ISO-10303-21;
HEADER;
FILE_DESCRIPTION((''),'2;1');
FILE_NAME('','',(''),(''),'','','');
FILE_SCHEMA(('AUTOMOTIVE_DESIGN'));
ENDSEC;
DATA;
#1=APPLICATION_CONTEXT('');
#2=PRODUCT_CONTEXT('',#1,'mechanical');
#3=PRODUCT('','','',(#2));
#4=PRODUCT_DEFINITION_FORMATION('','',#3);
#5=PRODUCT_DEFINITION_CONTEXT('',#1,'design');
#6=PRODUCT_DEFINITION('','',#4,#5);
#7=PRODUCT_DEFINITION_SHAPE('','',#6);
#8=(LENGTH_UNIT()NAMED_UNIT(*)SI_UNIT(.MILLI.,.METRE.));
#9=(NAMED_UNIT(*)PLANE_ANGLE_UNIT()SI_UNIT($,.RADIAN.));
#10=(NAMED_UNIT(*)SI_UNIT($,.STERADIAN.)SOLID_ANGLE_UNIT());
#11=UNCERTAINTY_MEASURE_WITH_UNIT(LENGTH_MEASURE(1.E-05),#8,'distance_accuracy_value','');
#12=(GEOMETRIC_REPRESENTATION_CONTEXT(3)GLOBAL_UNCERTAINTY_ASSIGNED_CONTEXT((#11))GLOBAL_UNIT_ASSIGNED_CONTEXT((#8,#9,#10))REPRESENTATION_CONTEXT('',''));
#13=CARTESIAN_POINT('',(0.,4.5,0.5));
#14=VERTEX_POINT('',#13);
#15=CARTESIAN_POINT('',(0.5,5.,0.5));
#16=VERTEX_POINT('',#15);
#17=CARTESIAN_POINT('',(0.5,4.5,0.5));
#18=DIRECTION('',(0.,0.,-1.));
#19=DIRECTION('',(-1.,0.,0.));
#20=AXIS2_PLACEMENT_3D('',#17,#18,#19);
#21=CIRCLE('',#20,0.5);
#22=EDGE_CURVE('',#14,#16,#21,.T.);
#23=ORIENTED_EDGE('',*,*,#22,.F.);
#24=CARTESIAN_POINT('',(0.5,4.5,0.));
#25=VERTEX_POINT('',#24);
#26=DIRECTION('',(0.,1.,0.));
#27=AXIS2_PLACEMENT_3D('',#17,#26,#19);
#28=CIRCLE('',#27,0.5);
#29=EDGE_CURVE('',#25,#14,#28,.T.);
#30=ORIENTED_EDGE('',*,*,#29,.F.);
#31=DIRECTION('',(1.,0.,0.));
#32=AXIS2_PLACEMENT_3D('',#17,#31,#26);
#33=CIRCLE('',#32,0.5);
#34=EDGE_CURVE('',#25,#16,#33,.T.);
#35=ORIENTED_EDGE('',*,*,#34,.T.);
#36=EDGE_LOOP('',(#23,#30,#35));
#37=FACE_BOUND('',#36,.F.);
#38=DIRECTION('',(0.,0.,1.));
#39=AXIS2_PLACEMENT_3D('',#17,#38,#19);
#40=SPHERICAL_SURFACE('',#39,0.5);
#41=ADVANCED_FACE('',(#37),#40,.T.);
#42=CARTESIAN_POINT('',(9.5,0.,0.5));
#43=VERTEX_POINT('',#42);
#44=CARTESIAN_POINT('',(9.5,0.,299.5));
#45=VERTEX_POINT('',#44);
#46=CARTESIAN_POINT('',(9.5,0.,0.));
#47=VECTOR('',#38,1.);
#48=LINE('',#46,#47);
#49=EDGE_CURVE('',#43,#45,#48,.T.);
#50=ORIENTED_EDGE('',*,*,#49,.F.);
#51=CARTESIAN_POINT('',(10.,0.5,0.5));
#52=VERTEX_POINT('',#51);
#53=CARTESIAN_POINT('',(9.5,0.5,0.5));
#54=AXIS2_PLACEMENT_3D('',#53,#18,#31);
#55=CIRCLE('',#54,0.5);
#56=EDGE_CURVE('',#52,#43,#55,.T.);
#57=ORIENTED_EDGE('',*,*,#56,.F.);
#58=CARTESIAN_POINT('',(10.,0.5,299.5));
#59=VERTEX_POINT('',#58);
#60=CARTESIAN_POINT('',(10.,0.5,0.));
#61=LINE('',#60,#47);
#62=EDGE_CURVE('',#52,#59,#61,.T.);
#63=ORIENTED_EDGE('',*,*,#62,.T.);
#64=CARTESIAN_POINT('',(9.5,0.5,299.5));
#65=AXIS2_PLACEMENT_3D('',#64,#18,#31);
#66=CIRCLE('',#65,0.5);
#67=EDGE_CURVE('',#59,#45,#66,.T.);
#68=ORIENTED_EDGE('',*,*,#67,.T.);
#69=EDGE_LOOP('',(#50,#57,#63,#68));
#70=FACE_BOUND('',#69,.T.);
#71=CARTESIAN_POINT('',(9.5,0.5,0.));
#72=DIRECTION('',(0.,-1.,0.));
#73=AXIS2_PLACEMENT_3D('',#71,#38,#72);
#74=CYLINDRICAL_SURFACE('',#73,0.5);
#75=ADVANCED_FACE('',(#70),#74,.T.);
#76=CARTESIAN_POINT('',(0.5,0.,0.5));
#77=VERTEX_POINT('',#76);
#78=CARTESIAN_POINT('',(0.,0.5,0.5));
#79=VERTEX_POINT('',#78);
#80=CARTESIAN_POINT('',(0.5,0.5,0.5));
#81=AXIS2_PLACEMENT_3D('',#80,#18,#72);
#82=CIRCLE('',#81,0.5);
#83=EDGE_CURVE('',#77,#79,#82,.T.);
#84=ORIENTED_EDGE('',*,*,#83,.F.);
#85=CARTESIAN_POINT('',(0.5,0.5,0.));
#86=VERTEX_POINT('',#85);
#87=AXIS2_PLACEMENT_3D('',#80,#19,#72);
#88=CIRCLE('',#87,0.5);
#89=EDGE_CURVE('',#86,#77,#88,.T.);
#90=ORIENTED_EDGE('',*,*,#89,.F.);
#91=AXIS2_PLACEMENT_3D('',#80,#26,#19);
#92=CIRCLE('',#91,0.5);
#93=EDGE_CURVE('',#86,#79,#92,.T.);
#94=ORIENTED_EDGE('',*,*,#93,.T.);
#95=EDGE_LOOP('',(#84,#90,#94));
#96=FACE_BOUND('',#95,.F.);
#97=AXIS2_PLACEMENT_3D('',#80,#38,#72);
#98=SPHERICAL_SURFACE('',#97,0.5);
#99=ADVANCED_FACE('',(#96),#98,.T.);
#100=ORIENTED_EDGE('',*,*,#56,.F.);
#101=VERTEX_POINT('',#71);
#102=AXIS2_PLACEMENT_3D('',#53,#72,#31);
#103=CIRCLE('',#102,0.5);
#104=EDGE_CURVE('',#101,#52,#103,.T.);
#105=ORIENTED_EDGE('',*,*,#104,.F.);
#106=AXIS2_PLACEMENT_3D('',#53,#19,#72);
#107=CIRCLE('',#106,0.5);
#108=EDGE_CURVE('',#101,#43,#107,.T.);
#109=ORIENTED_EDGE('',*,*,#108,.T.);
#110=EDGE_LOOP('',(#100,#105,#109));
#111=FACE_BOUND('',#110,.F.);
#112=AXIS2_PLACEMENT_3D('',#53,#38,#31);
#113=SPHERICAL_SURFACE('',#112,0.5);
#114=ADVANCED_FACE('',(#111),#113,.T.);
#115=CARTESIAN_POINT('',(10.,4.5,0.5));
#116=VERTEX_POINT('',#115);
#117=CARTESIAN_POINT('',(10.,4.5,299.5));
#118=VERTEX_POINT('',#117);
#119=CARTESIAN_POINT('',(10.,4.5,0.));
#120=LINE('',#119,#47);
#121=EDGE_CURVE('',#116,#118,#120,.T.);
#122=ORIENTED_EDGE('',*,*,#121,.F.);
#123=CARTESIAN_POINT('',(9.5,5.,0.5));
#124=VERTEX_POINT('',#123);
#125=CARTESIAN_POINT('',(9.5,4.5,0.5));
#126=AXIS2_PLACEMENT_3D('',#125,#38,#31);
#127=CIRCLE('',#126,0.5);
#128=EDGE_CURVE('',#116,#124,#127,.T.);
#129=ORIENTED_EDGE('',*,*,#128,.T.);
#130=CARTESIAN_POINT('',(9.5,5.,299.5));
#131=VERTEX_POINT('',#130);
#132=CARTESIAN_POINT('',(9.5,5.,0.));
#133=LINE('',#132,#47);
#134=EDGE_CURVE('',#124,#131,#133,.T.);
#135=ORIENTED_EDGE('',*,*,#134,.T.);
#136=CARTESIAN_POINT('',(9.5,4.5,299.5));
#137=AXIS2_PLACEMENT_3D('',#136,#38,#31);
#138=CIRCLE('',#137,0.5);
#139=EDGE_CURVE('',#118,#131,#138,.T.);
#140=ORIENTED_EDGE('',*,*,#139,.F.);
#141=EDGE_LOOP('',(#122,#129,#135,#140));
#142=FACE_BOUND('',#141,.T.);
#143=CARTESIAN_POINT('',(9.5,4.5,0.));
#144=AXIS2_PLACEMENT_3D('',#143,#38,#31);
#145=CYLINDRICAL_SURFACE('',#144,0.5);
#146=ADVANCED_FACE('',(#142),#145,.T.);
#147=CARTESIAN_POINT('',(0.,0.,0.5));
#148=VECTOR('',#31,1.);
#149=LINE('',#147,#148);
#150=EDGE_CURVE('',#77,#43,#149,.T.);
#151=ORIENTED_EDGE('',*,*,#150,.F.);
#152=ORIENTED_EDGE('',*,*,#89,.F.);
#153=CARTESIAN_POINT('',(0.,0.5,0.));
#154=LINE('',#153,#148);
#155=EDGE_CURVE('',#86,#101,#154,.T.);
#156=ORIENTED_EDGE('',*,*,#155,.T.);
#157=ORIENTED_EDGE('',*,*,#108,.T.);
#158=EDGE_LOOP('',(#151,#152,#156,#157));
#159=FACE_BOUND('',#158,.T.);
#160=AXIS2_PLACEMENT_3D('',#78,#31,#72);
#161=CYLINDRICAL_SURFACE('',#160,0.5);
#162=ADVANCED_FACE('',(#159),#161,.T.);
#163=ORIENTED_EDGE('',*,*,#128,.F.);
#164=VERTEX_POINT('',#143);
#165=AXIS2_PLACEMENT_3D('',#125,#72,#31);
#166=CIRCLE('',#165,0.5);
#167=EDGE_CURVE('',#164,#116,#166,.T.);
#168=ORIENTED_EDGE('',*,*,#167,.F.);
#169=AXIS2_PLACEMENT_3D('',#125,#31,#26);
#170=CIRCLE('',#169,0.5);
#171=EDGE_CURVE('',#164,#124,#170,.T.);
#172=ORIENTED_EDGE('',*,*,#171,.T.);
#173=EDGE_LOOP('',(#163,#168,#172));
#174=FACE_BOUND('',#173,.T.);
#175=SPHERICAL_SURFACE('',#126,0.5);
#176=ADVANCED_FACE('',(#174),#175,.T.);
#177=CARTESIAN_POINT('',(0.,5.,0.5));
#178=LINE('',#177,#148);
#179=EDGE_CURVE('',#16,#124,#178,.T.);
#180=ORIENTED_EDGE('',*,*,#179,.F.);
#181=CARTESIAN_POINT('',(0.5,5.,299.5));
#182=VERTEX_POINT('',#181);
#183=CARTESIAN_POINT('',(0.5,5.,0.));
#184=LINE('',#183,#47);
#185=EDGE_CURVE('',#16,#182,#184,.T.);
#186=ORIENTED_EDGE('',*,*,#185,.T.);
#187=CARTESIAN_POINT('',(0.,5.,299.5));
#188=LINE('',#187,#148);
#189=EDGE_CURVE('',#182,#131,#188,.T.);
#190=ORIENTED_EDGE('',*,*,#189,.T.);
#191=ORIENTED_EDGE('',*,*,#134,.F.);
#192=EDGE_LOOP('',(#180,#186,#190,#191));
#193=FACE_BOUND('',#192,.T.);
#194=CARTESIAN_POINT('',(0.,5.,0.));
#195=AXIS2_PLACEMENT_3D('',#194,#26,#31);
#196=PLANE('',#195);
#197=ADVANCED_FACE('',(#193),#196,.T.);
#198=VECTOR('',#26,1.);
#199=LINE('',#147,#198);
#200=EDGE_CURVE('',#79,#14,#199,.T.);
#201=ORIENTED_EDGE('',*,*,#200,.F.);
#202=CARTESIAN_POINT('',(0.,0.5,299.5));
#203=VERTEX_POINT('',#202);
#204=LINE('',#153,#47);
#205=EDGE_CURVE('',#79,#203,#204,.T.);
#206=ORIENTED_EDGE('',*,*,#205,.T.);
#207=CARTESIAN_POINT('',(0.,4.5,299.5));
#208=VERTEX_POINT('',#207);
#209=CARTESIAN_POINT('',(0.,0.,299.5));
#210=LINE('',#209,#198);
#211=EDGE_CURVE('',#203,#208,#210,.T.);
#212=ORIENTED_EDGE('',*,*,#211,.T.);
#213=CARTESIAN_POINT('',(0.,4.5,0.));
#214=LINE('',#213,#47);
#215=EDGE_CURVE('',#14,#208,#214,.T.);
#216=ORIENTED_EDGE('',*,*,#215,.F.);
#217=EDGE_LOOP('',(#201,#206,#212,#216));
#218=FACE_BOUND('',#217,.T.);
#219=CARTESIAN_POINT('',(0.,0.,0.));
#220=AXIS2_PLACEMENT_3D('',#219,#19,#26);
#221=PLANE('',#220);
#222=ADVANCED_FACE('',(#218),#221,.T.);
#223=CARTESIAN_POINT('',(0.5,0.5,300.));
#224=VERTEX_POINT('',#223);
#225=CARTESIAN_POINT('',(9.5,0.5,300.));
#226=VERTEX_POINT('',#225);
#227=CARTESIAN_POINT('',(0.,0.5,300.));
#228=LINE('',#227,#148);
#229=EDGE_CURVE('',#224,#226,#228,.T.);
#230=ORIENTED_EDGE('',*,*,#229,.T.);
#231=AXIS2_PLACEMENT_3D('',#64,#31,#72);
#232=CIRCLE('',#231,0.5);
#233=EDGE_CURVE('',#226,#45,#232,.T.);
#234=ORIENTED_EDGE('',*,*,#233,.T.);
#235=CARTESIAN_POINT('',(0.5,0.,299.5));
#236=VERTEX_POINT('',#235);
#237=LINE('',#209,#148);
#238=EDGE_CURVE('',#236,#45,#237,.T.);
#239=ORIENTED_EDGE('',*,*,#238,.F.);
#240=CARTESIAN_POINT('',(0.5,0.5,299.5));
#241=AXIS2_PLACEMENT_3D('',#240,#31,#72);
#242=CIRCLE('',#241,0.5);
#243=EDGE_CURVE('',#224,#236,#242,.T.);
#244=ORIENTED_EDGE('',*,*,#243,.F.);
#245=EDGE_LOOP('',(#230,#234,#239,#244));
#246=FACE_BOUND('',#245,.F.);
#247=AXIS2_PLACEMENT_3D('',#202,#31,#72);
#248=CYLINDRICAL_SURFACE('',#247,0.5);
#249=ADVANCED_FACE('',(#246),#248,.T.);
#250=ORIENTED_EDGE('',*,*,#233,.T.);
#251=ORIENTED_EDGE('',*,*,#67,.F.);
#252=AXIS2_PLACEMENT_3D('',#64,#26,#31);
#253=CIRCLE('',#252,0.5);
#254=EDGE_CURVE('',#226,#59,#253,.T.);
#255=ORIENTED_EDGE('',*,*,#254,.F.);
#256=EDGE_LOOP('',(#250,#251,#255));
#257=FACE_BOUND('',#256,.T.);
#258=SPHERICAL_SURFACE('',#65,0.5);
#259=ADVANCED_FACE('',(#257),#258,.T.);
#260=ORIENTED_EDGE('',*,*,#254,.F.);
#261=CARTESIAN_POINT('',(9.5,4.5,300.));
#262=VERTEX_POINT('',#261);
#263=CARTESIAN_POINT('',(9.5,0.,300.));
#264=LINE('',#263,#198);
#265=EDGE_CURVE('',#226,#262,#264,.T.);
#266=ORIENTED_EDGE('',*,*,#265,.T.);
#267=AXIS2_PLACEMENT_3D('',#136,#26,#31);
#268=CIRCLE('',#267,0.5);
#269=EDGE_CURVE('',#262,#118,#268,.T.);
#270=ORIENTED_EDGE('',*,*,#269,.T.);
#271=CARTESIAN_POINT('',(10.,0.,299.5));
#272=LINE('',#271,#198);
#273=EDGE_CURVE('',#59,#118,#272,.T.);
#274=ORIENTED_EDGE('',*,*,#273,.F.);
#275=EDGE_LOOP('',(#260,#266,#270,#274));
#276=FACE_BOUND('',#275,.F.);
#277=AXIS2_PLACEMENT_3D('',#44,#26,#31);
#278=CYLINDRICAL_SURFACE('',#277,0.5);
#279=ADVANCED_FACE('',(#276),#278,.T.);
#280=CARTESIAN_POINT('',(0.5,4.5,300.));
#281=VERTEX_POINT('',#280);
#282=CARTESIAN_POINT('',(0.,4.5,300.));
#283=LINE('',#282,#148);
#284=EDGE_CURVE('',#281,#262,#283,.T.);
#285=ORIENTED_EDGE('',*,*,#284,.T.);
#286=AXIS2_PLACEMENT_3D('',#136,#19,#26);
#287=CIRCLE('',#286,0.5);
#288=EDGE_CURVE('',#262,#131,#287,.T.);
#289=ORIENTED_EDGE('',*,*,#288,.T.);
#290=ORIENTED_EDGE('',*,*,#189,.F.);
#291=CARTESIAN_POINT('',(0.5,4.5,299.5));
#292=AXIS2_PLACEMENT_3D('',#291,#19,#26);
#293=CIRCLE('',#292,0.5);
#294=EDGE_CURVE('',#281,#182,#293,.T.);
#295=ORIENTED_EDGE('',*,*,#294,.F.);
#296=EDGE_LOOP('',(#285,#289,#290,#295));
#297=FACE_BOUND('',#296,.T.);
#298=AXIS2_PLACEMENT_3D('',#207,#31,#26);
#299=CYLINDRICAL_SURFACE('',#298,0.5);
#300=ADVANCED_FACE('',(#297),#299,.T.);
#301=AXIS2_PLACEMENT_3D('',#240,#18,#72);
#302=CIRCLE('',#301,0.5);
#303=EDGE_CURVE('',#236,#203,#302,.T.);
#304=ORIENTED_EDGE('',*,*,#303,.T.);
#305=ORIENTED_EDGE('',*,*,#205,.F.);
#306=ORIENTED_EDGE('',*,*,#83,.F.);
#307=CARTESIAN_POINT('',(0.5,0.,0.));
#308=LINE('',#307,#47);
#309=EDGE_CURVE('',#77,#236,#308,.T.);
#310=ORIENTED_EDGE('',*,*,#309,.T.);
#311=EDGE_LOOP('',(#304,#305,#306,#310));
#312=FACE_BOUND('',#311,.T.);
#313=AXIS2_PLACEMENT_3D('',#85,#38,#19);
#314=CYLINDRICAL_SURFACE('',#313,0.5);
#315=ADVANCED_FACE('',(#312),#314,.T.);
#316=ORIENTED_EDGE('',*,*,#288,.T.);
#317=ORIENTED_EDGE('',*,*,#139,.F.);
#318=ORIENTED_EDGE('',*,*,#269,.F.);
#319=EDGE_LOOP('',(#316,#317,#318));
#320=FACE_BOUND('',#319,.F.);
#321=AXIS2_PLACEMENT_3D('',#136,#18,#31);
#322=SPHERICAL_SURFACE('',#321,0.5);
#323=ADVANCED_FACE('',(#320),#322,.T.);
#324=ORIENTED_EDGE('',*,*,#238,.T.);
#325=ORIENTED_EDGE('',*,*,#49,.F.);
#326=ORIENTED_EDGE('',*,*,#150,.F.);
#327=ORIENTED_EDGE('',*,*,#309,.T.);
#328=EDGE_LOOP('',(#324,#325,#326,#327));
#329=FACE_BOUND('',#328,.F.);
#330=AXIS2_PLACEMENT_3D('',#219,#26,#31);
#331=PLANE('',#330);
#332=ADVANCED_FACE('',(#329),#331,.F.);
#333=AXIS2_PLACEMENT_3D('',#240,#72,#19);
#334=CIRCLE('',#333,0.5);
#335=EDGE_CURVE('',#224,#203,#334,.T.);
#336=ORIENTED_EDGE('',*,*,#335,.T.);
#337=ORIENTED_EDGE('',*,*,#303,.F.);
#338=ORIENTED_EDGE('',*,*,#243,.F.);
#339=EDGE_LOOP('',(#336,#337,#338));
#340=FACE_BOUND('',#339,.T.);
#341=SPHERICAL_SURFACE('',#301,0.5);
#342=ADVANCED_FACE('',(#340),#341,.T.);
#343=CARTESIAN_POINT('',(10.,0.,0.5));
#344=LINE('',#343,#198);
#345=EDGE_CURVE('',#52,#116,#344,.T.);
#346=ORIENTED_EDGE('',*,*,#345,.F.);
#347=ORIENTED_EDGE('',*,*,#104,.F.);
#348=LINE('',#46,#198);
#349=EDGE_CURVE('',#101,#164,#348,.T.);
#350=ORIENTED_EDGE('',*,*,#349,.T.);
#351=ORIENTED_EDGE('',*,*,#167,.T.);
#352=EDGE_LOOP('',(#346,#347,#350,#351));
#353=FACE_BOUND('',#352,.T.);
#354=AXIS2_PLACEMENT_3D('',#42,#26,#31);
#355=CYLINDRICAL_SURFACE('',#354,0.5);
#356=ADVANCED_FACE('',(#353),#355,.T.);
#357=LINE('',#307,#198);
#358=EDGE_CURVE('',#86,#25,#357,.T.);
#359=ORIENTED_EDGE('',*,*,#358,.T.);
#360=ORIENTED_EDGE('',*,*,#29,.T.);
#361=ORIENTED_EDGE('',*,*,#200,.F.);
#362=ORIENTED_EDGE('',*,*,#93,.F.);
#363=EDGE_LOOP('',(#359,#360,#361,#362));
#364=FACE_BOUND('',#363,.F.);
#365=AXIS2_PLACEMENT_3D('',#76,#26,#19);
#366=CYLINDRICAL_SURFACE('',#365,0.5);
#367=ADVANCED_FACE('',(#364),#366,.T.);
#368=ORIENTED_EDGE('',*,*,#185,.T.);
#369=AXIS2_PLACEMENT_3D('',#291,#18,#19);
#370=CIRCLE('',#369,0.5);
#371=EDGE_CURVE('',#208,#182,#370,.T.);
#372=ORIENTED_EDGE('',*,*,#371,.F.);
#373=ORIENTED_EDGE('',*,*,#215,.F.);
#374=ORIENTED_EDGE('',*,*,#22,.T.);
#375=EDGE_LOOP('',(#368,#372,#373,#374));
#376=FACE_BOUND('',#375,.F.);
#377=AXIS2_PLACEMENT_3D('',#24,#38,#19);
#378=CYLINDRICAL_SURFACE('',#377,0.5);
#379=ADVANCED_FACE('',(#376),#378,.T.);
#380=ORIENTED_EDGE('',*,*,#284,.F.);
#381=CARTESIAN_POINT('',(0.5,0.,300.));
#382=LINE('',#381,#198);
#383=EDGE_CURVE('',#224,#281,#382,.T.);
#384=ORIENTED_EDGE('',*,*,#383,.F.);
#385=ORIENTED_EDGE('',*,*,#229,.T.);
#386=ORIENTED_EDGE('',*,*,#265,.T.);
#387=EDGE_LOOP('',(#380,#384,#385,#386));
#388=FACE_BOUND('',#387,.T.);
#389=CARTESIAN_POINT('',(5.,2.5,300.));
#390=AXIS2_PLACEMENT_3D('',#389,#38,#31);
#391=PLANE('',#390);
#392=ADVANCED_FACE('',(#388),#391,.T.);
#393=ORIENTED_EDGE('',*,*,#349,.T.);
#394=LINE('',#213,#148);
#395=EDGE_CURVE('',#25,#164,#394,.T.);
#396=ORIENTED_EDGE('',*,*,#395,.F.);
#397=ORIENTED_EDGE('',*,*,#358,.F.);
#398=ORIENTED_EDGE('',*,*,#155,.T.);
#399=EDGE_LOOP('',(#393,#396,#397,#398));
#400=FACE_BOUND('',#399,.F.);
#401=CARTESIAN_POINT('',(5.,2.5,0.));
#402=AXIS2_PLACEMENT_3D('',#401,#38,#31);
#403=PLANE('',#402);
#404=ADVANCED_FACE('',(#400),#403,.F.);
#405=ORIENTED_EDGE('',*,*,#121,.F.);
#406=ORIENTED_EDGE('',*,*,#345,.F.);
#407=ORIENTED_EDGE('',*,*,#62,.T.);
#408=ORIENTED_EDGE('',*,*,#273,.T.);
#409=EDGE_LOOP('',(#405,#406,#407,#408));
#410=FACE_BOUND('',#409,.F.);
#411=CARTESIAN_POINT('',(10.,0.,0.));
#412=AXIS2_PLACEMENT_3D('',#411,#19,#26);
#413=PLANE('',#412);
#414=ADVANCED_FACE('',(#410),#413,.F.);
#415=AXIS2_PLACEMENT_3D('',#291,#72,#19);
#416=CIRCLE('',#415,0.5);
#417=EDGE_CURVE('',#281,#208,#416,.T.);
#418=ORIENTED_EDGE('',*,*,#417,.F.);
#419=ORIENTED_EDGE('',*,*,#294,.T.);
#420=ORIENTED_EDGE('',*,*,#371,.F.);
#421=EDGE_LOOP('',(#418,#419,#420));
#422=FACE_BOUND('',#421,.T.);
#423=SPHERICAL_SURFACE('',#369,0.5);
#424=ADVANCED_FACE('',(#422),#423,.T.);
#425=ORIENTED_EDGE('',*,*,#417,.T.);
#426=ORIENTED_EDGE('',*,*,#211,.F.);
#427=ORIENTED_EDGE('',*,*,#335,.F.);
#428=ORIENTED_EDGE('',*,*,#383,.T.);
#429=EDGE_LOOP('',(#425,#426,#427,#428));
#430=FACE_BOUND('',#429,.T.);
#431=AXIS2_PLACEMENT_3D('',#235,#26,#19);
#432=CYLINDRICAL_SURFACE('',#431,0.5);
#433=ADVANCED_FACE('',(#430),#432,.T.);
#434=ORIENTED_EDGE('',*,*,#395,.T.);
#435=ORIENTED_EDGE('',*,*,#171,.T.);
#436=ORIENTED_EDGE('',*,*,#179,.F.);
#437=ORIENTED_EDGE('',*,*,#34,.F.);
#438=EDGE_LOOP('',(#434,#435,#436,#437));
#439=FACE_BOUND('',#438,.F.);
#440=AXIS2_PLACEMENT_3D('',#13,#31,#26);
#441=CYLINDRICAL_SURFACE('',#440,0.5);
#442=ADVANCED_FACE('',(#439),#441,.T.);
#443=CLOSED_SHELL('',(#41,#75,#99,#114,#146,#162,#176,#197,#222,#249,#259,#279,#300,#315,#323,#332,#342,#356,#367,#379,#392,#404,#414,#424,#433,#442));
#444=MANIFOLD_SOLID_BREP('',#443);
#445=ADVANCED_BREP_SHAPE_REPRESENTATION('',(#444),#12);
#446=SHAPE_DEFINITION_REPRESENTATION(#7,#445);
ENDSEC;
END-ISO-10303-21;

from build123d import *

# Parameters (mm, degrees)
SKETCH_W  = 10
SKETCH_H  = 5
PAD_DEPTH = 300
FILLET_R  = 0.5


with BuildPart() as part:
    # Sketch → Pad (new body)
    with BuildSketch(Plane.XY):
        with Locations((5, 2.5)):
            Rectangle(SKETCH_W, SKETCH_H)
    extrude(amount=PAD_DEPTH)

    # Fillet
    fillet_edges = [part.edges().sort_by_distance(p)[0] for p in [
        (10, 0, 150),
        (10, 5, 150),
        (10, 2.5, 0),
        (10, 2.5, 300),
        (0, 0, 150),
        (5, 0, 0),
        (5, 0, 300),
        (0, 5, 150),
        (0, 2.5, 0),
        (0, 2.5, 300),
        (5, 5, 0),
        (5, 5, 300),
    ]]
    fillet(fillet_edges, radius=FILLET_R)


solid = part.part
